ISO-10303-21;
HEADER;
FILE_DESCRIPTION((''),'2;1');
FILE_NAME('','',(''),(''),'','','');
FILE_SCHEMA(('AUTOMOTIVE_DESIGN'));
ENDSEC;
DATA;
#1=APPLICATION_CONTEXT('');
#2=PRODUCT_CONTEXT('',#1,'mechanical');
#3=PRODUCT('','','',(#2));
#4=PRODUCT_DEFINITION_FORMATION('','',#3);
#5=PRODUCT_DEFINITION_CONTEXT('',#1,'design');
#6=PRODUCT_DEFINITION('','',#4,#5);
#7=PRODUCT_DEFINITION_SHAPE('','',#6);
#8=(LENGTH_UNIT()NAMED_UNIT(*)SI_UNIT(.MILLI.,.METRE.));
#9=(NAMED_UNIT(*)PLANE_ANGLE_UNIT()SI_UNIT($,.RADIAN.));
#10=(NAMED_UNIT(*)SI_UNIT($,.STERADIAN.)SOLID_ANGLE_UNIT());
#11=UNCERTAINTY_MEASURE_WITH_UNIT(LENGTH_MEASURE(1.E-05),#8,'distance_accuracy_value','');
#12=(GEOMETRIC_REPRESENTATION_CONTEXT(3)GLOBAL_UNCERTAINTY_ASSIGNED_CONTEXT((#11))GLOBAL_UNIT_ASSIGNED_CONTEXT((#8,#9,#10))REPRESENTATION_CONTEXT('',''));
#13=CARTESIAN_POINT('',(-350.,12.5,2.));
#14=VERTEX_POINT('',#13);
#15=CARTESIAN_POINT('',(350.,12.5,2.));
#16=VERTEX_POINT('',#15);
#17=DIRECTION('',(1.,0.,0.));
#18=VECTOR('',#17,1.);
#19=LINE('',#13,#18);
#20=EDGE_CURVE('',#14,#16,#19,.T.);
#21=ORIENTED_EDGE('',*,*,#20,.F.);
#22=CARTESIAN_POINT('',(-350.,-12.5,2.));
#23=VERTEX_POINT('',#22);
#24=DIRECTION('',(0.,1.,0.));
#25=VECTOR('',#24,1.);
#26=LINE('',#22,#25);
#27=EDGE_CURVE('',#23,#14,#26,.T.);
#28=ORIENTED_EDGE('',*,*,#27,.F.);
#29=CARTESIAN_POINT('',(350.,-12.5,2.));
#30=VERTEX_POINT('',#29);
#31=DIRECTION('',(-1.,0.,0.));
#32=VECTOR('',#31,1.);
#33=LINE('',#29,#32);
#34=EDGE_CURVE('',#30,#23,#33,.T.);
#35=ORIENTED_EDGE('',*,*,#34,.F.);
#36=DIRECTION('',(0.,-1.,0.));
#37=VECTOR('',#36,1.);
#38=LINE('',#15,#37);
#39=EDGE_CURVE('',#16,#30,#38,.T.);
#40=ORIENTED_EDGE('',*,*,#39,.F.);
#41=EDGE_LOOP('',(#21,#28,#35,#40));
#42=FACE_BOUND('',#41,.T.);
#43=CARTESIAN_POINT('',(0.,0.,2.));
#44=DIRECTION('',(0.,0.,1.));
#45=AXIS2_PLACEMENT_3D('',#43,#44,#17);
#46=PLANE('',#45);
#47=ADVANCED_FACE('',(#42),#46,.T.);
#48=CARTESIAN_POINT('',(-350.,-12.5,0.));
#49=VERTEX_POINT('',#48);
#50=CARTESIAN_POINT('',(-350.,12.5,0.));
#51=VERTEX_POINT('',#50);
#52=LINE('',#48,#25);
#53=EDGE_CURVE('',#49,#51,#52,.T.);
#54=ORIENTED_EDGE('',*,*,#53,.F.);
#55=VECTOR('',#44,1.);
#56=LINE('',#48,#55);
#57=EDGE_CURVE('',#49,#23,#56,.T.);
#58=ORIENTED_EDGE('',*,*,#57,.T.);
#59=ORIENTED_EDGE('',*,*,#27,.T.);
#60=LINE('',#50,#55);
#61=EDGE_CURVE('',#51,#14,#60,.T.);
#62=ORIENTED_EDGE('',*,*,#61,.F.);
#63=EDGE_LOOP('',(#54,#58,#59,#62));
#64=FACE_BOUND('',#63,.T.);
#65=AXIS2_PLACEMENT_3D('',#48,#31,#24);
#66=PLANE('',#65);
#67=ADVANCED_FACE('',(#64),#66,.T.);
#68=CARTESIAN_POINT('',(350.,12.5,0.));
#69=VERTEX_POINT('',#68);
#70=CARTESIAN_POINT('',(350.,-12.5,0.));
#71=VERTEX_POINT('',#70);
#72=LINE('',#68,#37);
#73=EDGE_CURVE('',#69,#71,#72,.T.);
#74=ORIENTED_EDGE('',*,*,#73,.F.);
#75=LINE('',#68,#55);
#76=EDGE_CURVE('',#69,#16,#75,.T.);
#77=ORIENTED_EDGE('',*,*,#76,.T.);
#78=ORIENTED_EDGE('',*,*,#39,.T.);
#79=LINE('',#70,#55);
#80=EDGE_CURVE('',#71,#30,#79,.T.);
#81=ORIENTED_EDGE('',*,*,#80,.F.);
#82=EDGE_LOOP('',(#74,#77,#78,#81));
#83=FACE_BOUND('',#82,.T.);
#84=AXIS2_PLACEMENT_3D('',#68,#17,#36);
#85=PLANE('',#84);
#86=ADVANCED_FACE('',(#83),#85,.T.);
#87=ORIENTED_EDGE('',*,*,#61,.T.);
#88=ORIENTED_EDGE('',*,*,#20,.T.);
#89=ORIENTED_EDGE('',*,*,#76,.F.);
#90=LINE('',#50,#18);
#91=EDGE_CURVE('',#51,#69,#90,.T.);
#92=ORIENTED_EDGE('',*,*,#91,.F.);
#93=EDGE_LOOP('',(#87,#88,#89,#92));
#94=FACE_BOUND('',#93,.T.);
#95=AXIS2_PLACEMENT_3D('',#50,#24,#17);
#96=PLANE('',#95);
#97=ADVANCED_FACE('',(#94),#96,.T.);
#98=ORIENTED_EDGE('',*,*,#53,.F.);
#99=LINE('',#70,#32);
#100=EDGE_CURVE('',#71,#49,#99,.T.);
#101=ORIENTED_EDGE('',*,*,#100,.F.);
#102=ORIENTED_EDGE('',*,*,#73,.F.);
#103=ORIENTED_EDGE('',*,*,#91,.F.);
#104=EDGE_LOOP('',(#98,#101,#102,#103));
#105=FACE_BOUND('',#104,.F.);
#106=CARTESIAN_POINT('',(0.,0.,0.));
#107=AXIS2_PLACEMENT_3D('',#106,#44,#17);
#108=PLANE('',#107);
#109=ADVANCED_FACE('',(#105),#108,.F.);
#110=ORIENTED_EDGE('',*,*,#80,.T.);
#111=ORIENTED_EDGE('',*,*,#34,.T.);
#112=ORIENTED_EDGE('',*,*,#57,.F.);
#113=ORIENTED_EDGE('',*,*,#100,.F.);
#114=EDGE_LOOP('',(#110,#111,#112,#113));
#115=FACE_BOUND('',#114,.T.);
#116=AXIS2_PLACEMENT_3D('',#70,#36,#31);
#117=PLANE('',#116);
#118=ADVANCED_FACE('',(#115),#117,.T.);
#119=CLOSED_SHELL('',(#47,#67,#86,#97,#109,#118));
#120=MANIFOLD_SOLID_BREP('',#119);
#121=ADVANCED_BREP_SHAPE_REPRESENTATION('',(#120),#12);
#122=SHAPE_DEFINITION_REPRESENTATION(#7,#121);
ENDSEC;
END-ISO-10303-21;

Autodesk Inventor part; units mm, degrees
ref_plane "YZ Plane" through (0, 0, 0) normal (1, 0, 0) x (0, 1, 0)
ref_plane "XZ Plane" through (0, 0, 0) normal (0, 1, 0) x (-1, 0, 0)
ref_plane "XY Plane" through (0, 0, 0) normal (0, 0, 1) x (1, 0, 0)
sketch "Sketch1" plane through (0, 0, 0) normal (0, 0, 1) x (1, 0, 0)
  line L0 (-350, 12.5) -> (350, 12.5)
  line L1 (350, 12.5) -> (350, -12.5)
  line L2 (350, -12.5) -> (-350, -12.5)
  line L3 (-350, -12.5) -> (-350, 12.5)
  line L4 (-350, 12.5) -> (350, -12.5) construction
  line L5 (350, 12.5) -> (-350, -12.5) construction
  point P0 (0, 0)
  dimension "d0" = 700
  dimension "d1" = 25
extrude "Plate1" add sketch "Sketch1" along normal blind 2
equation "\"d2\" = Thickness"
equation "\"BendRadius\" = Thickness"
equation "\"BendReliefWidth\" = Thickness"
equation "\"BendReliefDepth\" = 0.5 * Thickness"
equation "\"CornerReliefSize\" = 4 * Thickness"
equation "\"MinimumRemnant\" = 2 * Thickness"
equation "\"TransitionRadius\" = BendRadius"
equation "\"JacobiRadiusSize\" = BendRadius"
equation "\"GapSize\" = Thickness"
equation "\"Thickness\" = 2"
